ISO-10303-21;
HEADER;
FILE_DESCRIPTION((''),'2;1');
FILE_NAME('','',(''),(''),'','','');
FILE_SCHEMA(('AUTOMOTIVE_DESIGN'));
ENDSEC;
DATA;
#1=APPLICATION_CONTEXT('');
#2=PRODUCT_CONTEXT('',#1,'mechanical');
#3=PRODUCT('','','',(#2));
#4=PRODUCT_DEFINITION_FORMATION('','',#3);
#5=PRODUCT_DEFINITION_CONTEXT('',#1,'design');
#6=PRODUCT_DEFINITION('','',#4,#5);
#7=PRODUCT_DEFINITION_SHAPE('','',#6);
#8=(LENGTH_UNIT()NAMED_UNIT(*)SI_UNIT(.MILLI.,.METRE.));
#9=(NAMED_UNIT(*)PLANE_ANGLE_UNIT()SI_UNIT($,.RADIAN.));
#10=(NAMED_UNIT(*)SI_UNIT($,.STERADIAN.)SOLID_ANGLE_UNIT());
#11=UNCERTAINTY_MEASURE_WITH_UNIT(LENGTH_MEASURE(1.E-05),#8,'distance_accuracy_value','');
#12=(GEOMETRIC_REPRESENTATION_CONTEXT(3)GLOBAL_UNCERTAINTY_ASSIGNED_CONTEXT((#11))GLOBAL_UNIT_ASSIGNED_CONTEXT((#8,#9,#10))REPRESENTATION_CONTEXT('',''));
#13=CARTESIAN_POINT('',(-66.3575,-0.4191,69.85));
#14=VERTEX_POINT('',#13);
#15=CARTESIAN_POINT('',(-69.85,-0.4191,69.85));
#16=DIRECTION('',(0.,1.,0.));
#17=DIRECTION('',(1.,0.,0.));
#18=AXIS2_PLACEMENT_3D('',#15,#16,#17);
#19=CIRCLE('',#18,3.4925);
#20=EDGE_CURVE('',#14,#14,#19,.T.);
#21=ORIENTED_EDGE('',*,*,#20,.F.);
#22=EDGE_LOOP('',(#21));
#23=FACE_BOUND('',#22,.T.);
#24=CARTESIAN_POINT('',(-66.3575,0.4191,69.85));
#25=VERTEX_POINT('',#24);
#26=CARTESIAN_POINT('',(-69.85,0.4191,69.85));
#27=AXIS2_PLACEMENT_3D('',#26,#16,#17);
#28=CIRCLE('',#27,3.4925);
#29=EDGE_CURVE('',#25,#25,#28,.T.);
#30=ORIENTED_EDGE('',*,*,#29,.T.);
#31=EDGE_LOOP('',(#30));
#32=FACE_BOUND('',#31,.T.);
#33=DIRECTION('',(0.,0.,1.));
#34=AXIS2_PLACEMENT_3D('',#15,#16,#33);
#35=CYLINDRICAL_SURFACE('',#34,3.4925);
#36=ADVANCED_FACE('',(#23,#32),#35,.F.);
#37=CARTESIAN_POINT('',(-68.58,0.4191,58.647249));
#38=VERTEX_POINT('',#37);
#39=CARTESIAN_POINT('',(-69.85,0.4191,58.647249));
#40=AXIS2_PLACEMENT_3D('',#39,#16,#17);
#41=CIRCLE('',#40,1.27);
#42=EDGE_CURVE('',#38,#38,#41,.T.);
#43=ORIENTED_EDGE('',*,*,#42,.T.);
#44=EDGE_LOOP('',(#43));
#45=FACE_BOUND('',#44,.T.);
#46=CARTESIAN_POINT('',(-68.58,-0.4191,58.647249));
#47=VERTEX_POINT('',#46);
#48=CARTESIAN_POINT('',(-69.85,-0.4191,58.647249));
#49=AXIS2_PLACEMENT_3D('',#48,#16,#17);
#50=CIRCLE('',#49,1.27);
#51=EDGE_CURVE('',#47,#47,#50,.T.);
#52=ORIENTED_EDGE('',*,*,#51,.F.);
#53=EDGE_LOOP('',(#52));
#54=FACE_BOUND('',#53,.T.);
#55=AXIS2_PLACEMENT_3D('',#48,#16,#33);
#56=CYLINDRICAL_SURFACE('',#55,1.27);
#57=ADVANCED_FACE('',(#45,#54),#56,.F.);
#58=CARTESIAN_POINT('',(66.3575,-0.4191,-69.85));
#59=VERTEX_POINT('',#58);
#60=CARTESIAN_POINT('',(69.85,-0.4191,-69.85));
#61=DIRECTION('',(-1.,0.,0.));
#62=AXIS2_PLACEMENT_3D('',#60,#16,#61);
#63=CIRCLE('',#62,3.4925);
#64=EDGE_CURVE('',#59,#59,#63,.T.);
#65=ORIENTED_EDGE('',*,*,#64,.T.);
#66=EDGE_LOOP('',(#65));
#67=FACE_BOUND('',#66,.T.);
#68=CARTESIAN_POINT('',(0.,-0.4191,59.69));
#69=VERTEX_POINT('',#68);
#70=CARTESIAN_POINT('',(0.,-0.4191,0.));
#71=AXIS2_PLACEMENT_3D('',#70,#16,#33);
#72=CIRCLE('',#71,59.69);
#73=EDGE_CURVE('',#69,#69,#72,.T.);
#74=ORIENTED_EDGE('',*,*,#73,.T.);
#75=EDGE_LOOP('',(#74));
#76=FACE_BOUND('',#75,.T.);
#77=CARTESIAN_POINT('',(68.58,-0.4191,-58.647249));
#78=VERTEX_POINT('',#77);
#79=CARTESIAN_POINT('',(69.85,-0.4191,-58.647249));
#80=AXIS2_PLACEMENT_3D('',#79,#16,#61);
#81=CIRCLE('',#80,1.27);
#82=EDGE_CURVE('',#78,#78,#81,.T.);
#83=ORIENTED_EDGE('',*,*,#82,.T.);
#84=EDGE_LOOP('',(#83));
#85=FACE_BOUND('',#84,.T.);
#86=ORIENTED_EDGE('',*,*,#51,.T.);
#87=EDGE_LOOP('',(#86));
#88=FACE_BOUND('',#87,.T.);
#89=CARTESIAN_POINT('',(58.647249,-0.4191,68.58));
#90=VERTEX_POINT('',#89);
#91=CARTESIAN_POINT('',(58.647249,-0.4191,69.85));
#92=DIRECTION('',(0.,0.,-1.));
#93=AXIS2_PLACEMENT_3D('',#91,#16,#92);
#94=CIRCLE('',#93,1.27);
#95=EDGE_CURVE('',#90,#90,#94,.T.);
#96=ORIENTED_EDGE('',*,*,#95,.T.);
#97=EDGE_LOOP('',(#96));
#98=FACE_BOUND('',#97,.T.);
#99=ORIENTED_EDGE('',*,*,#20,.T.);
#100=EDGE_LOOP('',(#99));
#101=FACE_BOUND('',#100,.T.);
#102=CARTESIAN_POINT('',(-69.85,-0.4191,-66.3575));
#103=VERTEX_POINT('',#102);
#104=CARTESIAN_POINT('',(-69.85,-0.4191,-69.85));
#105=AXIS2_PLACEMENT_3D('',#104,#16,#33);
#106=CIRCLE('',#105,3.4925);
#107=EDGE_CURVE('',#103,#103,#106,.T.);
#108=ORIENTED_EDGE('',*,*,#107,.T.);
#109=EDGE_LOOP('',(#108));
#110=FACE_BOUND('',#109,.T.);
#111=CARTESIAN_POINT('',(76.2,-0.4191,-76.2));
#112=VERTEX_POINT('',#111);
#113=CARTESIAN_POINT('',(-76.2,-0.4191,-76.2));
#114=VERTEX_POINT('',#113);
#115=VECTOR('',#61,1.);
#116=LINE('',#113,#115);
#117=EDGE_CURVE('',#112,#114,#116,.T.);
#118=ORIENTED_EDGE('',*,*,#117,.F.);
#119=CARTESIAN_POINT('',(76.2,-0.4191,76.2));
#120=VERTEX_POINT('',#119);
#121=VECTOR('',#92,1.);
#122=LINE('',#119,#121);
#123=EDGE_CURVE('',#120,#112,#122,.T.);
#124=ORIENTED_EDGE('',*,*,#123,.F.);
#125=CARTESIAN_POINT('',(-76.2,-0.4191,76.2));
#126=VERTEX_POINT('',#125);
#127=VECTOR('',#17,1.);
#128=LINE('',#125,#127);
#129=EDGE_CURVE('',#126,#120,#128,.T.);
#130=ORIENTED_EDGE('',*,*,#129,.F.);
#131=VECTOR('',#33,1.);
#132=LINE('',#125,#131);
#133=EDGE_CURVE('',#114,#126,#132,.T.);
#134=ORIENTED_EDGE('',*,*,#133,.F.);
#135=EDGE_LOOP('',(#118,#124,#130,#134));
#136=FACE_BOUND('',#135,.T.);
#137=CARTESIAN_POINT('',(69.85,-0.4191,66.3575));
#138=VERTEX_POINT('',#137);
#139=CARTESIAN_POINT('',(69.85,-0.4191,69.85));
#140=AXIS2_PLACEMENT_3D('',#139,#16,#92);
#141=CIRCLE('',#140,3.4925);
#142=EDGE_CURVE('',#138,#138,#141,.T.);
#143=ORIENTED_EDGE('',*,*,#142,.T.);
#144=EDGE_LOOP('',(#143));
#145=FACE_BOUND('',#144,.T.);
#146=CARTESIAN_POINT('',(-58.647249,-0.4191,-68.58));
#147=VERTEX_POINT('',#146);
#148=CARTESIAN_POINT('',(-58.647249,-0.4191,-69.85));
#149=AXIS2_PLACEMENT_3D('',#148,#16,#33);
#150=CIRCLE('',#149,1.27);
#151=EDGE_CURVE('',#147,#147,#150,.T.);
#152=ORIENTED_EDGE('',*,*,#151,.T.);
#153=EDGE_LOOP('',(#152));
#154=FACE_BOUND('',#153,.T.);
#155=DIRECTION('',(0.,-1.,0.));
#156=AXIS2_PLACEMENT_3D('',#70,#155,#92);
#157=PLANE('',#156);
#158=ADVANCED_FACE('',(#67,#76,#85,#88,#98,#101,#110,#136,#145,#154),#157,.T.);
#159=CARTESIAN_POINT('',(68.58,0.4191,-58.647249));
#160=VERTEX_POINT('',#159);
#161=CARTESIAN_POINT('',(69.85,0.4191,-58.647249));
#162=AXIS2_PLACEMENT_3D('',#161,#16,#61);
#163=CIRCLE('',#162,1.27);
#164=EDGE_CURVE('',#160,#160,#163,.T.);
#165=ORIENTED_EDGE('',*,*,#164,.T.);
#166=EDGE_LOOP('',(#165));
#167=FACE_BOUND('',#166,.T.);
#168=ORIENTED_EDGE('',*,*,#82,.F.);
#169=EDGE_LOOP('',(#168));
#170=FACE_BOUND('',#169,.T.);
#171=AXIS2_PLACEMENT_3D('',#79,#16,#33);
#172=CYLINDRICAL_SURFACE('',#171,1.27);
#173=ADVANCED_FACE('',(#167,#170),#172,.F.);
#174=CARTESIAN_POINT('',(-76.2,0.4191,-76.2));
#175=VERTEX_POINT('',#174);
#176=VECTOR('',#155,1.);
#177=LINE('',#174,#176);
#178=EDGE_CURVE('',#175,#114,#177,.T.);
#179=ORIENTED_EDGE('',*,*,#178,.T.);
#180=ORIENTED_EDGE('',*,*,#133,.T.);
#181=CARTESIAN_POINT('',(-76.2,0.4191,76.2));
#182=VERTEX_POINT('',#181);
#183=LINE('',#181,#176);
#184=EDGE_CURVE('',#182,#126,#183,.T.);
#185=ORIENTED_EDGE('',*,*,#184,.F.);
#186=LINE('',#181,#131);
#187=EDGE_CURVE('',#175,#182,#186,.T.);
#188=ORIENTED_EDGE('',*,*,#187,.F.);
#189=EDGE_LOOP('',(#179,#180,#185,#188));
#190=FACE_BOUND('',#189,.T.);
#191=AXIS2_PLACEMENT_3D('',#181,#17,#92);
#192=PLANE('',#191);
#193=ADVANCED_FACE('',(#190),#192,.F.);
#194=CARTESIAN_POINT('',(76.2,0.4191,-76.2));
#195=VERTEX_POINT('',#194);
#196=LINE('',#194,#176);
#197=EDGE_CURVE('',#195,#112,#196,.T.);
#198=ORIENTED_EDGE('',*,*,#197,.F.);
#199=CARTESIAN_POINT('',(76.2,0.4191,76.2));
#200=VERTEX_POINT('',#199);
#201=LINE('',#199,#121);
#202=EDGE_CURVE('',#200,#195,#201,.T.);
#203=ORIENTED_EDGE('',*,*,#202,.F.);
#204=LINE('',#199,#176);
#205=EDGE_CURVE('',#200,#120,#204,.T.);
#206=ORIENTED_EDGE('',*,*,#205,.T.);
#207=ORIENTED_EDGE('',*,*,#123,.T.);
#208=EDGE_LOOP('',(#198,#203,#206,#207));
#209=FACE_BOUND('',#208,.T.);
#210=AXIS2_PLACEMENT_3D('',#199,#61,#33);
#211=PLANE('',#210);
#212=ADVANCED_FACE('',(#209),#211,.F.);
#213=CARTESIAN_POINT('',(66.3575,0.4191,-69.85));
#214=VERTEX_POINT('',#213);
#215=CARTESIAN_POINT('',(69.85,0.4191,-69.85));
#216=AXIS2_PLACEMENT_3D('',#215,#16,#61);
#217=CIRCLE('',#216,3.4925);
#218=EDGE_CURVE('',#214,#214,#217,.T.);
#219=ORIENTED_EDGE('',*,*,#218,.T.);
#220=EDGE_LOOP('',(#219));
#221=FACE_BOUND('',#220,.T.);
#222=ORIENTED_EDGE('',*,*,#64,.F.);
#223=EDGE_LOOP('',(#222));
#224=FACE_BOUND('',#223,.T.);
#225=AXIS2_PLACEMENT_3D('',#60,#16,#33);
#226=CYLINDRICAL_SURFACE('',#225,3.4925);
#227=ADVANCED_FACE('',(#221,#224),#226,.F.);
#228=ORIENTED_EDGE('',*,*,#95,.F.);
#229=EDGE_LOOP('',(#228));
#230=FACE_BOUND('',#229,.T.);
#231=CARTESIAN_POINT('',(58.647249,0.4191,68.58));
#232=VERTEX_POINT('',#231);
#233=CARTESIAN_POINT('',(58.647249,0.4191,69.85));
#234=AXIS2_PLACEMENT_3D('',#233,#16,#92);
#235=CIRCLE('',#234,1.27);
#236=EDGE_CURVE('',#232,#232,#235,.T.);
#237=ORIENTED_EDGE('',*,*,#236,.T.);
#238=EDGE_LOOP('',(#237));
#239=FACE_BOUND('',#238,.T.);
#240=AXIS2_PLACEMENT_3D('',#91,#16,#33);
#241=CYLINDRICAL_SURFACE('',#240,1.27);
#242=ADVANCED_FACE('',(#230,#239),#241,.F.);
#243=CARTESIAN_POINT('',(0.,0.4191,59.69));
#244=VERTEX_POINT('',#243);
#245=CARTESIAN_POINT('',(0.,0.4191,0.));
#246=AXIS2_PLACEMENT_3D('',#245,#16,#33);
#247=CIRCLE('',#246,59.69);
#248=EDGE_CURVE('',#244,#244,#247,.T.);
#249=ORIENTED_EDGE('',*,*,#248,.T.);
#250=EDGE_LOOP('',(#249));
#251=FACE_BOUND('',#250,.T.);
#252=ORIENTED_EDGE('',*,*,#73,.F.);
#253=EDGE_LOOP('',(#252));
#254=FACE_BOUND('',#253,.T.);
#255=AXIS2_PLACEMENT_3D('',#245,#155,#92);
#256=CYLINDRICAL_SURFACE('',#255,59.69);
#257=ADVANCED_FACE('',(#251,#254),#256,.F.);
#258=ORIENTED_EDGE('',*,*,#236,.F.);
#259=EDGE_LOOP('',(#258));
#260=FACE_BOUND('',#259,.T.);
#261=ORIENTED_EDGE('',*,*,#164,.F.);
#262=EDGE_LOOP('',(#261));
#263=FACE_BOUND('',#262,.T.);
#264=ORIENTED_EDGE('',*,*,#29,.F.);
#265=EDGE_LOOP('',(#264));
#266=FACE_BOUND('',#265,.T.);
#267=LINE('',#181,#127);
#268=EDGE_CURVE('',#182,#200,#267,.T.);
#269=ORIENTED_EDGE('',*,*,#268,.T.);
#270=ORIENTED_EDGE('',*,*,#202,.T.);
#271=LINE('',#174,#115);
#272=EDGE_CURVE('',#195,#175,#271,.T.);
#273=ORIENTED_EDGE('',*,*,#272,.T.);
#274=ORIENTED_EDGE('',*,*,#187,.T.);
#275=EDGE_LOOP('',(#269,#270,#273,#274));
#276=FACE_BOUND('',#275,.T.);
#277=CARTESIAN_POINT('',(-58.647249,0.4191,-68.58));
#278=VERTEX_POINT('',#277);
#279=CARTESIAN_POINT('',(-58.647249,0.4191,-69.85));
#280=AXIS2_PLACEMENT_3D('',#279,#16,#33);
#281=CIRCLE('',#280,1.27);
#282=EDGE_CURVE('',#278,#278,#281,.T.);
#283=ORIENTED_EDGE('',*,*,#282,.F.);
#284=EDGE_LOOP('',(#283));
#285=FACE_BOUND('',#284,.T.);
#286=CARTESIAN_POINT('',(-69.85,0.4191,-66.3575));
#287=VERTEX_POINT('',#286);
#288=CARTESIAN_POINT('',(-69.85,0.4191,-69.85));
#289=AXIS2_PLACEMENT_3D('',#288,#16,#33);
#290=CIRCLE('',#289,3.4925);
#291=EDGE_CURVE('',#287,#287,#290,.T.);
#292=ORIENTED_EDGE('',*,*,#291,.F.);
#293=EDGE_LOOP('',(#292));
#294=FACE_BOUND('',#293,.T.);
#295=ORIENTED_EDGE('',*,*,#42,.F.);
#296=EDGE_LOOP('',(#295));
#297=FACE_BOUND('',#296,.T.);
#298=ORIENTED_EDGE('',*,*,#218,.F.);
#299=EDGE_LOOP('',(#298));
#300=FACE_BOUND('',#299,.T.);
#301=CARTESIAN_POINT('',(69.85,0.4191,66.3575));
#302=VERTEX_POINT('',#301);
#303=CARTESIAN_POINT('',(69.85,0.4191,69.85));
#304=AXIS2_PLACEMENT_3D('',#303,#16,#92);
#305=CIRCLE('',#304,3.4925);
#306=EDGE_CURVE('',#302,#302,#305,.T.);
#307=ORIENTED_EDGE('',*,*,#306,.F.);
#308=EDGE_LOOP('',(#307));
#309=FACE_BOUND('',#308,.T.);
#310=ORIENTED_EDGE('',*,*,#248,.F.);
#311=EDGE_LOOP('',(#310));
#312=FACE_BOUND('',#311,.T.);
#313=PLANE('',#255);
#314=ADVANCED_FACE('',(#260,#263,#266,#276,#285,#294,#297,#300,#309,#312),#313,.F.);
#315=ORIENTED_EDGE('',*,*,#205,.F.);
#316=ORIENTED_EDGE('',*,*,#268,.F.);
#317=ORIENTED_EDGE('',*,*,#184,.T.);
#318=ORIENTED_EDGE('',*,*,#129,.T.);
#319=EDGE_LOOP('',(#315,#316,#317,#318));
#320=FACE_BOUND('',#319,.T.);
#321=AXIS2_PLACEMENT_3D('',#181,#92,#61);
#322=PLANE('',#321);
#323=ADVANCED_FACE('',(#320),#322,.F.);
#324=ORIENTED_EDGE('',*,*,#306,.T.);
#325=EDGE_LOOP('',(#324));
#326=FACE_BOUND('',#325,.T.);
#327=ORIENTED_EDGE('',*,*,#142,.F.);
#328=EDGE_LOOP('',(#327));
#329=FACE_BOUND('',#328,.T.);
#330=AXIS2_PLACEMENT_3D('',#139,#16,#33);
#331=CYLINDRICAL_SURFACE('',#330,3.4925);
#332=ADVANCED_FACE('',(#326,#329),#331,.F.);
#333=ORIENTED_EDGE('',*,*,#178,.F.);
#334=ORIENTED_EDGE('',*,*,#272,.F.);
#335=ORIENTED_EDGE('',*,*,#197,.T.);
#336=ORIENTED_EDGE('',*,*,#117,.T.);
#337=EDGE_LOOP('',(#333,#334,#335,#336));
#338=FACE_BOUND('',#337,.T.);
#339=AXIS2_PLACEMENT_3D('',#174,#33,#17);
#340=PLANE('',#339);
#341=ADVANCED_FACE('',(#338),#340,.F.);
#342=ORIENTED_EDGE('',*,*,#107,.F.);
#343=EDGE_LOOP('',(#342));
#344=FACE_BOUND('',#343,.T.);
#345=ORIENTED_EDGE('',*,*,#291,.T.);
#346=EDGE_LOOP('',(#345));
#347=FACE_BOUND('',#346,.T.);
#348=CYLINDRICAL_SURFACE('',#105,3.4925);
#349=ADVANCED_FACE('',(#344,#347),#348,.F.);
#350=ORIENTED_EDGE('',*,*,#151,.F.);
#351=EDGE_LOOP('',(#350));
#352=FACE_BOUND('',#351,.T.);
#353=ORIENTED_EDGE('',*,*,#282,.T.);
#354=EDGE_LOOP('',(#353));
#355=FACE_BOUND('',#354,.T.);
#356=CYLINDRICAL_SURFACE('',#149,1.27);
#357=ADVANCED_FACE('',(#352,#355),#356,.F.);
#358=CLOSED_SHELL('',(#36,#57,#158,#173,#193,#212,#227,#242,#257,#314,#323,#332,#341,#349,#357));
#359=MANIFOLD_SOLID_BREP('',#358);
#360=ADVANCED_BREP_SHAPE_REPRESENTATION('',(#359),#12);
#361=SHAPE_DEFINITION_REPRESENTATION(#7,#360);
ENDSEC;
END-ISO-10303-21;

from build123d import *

# Parameters (mm, degrees)
SKETCH1_W           = 152.4
SKETCH1_H           = 152.4
SKETCH1_R           = 59.69
BOSS_EXTRUDE1_DEPTH = 0.4191
SKETCH2_R           = 3.4925
SKETCH2_R_2         = 1.27
CUT_EXTRUDE1_DEPTH  = 108.766333236
CIRPATTERN1_COUNT   = 4


with BuildPart() as part:
    # Sketch1 → Boss-Extrude1 (new, symmetric)
    with BuildSketch(Plane(origin=(0, 0, 0), x_dir=(1, 0, 0), z_dir=(0, 1, 0))):
        Rectangle(SKETCH1_W, SKETCH1_H)
        with Locations(Location((0, 0, 0), (0, 0, 270))):
            Circle(SKETCH1_R, mode=Mode.SUBTRACT)
    extrude(amount=BOSS_EXTRUDE1_DEPTH, both=True)

    # Sketch2 → Cut-Extrude1 (cut, through all)
    with BuildSketch(Plane(origin=(0, 0.4191, 0), x_dir=(1, 0, 0), z_dir=(0, 1, 0))):
        with Locations(Location((-69.85, 69.85, 0), (0, 0, 270))):
            Circle(SKETCH2_R)
        with Locations(Location((-58.647249233, 69.85, 0), (0, 0, 270))):
            Circle(SKETCH2_R_2)
    cut_extrude1 = extrude(amount=-CUT_EXTRUDE1_DEPTH, mode=Mode.SUBTRACT)

    # CirPattern1: Cut-Extrude1 ×4 about axis
    cirpattern1_axis = Axis((0, 0, 0), (0, 1, 0))
    for i in range(1, CIRPATTERN1_COUNT):
        add(cut_extrude1.rotate(cirpattern1_axis, i * 360 / CIRPATTERN1_COUNT), mode=Mode.SUBTRACT)


solid = part.part
